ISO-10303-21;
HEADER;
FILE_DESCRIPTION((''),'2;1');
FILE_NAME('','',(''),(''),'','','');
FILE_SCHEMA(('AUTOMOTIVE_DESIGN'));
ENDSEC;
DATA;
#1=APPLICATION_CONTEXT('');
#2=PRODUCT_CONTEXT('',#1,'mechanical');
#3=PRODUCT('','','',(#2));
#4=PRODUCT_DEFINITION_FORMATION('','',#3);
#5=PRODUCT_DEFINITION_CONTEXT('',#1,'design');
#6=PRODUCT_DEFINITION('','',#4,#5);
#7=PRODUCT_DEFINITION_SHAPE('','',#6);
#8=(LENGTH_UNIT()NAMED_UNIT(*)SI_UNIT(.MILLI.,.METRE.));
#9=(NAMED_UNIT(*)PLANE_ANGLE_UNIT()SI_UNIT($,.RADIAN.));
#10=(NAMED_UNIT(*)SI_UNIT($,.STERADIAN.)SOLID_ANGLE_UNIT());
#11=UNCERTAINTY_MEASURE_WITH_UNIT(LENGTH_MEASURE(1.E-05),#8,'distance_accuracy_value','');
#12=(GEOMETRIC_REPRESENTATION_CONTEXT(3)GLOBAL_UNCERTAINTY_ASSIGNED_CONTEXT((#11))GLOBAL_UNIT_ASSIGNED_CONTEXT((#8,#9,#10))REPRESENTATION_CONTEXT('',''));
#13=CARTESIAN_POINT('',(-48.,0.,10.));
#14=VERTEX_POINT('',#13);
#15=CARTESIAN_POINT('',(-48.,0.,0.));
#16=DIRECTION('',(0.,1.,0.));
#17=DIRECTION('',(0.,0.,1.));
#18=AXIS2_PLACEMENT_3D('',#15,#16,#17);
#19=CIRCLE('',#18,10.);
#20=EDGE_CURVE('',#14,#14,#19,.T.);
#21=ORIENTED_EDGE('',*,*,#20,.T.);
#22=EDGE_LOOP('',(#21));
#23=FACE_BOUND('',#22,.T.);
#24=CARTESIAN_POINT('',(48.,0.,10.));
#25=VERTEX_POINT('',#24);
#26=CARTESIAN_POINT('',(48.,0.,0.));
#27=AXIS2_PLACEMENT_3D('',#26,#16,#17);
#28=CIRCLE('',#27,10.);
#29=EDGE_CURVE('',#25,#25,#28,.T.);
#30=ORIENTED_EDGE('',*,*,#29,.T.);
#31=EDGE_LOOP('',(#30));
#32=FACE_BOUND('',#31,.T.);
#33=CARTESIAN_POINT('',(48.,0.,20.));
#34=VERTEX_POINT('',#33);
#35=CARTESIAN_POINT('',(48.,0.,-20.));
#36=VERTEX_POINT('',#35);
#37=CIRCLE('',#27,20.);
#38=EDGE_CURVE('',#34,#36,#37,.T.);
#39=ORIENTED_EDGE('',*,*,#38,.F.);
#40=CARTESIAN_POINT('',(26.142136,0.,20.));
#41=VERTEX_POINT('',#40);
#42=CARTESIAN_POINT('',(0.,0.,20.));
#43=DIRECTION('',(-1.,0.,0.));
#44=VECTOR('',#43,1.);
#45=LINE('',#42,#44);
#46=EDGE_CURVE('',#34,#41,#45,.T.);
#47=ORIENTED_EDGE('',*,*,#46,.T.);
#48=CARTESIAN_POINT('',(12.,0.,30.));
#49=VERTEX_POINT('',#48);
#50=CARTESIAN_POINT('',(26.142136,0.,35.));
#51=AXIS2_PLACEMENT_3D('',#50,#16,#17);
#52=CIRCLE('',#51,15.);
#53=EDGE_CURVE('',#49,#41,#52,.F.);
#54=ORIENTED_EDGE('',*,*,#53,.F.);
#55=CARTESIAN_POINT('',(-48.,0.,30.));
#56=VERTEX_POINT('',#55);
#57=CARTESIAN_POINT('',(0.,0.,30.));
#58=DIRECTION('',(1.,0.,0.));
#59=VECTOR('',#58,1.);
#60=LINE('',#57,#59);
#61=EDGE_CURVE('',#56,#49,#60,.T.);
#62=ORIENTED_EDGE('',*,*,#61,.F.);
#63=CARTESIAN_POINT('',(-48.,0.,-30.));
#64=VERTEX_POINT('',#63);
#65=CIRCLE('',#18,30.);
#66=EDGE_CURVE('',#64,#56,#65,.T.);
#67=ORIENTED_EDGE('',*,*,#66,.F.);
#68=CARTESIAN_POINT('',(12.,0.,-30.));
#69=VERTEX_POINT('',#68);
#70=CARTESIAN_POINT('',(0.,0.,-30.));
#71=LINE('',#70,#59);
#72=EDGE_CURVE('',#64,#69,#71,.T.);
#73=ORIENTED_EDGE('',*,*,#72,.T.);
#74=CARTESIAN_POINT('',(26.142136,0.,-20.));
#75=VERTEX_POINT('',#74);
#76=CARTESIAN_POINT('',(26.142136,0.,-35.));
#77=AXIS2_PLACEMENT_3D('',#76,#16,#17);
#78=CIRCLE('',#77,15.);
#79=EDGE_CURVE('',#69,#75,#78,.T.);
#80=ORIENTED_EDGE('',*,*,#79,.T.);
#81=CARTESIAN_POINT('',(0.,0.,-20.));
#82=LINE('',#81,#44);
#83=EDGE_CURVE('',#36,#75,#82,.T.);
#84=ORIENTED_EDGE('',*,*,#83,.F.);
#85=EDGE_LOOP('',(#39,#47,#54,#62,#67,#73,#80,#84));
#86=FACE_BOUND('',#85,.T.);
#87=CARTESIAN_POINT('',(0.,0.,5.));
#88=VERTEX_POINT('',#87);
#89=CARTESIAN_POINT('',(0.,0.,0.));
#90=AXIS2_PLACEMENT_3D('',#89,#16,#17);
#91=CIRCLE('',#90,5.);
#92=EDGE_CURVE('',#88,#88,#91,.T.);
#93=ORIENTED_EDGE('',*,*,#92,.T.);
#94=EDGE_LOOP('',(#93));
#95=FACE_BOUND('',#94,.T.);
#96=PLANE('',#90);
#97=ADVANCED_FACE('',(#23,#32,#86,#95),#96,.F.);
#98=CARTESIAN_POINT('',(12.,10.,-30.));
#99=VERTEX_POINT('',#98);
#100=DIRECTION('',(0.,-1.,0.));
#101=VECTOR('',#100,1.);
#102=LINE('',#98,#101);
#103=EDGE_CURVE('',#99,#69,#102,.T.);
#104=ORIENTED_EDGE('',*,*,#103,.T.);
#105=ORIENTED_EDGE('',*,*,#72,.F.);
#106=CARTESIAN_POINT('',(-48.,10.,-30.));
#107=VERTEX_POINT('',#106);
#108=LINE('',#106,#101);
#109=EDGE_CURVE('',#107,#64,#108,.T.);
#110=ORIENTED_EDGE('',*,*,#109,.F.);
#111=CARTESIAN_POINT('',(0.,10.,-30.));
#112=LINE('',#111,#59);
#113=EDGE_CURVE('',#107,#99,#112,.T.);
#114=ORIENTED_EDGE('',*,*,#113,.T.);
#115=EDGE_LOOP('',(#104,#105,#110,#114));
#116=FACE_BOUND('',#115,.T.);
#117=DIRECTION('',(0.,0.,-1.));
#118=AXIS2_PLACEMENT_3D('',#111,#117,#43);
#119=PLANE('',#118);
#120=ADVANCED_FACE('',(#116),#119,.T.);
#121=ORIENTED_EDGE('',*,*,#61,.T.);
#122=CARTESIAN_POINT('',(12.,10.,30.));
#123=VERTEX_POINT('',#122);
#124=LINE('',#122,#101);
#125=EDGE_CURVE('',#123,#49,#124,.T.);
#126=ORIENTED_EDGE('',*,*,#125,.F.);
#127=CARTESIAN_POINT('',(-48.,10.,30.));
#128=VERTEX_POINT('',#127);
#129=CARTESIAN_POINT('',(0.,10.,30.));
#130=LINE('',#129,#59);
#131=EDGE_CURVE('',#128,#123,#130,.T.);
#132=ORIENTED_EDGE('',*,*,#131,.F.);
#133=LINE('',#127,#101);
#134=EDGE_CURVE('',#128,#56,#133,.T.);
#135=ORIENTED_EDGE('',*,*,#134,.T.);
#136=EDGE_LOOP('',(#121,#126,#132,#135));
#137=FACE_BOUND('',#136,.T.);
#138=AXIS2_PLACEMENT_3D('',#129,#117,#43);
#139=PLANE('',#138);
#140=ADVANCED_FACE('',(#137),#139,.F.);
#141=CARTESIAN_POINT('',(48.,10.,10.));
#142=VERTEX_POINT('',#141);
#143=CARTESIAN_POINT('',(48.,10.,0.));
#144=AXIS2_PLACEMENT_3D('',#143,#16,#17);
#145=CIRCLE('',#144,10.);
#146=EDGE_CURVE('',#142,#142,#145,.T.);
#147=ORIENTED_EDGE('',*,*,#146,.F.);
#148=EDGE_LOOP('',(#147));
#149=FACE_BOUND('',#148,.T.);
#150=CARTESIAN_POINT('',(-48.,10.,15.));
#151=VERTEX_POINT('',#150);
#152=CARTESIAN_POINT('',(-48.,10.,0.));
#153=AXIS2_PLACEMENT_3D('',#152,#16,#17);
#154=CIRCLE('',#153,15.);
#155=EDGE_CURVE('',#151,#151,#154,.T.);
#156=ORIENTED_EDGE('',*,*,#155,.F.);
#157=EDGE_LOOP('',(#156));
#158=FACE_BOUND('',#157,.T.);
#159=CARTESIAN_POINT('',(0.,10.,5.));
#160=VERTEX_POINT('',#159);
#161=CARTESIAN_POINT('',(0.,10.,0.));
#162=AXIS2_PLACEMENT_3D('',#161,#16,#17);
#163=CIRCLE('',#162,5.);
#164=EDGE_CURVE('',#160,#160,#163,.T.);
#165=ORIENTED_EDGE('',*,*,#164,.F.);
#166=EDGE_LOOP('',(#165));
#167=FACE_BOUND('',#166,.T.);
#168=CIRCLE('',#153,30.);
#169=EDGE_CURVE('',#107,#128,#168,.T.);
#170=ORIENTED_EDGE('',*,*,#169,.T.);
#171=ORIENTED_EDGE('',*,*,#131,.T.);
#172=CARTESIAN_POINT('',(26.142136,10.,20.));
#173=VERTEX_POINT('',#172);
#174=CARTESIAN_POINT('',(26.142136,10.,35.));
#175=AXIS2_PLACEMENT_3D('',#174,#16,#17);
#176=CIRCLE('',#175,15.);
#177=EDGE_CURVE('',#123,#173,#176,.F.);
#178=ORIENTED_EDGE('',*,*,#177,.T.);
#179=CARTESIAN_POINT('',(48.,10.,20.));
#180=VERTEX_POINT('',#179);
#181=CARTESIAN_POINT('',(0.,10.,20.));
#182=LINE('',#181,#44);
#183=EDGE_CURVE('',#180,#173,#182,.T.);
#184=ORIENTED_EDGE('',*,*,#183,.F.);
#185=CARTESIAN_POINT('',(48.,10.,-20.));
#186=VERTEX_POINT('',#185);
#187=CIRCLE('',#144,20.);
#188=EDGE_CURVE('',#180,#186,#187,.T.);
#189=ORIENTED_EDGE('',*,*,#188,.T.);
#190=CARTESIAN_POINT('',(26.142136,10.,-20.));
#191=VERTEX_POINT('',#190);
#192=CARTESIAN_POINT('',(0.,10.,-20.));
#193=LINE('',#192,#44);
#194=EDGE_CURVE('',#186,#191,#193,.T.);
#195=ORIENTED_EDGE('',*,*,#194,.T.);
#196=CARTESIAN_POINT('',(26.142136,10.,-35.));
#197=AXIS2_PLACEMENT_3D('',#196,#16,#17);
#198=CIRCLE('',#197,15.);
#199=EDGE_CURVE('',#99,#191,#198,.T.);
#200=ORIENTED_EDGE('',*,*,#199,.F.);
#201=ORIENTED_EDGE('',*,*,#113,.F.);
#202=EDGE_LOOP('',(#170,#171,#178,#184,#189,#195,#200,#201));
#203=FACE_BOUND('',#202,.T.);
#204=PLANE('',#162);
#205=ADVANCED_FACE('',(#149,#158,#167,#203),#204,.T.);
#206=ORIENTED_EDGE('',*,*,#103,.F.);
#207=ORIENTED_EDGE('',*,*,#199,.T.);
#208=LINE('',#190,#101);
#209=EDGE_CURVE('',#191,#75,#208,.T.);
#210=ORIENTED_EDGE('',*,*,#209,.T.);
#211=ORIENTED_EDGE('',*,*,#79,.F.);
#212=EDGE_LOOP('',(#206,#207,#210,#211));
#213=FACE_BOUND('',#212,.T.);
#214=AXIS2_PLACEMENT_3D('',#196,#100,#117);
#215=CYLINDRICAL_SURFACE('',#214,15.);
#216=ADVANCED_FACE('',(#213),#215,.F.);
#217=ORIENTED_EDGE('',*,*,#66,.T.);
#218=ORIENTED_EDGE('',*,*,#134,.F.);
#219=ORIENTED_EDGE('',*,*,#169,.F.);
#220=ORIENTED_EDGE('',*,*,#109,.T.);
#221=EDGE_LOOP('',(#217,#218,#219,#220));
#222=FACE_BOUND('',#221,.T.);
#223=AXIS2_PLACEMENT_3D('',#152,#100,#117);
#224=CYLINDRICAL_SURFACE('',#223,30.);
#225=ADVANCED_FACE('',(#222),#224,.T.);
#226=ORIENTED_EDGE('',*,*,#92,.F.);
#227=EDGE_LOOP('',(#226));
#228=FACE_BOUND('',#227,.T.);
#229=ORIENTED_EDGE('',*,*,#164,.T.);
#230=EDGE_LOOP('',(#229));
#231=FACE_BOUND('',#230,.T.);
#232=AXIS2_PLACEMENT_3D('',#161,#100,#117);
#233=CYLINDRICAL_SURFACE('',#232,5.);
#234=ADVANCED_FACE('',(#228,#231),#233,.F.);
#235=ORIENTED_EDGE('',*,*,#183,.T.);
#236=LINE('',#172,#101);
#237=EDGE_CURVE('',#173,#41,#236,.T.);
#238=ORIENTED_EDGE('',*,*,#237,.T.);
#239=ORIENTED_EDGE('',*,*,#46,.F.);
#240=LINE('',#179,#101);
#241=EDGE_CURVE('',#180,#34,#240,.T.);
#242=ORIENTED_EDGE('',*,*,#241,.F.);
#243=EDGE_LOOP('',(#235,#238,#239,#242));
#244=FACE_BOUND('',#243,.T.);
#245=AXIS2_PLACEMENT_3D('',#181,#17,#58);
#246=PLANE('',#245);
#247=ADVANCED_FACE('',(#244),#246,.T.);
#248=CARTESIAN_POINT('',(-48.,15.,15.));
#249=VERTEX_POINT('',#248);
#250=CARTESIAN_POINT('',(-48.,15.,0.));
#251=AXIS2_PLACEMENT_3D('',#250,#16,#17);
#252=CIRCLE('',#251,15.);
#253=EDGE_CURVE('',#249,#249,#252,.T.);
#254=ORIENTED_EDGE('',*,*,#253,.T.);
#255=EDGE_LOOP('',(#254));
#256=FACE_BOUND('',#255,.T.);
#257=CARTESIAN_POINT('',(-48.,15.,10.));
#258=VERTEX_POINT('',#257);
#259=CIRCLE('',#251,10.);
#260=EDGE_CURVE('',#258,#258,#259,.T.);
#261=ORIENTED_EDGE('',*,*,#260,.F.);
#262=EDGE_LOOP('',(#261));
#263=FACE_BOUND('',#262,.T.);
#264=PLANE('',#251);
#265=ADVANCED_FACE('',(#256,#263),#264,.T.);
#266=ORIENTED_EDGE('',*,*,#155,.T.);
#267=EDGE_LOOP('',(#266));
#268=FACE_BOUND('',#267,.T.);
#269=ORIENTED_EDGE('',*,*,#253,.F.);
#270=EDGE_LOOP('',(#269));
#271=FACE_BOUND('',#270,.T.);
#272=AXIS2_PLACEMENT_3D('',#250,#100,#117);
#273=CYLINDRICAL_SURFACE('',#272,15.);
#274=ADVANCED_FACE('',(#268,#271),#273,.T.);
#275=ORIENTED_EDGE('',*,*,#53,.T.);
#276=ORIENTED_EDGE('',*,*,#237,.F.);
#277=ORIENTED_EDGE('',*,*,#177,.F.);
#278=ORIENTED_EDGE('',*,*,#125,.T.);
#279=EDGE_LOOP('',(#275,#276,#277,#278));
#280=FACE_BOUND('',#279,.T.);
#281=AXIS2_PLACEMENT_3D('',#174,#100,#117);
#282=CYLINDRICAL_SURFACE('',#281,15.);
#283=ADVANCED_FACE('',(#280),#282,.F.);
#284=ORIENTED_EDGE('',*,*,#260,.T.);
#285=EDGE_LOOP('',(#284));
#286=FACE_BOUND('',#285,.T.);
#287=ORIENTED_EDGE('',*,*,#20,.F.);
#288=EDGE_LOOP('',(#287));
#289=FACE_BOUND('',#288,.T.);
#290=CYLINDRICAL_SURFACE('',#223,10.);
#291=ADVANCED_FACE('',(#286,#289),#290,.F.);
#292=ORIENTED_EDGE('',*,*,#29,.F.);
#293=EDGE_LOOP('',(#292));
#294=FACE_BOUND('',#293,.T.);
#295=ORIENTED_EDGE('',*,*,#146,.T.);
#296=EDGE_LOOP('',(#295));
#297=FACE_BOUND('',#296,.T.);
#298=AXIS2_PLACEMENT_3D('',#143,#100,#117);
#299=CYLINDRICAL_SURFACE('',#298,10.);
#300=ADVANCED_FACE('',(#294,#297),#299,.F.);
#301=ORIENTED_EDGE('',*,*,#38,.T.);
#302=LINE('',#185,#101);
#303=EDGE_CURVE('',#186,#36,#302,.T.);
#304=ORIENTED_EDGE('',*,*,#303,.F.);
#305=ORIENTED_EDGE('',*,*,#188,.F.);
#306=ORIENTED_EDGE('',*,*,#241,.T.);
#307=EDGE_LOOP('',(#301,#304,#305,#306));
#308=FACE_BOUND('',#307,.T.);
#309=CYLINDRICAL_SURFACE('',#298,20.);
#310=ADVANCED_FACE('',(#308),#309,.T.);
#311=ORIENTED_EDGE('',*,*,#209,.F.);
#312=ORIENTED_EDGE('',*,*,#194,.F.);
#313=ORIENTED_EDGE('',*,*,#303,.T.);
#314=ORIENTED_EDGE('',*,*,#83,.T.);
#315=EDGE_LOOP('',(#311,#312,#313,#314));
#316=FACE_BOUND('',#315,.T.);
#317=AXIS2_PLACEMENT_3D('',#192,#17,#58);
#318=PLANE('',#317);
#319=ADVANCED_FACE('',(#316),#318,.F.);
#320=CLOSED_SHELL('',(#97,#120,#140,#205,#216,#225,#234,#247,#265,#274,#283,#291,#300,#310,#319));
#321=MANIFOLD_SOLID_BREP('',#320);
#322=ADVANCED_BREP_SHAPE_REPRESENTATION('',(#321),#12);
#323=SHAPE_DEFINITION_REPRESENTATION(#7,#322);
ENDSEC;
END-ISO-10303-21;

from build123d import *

# Parameters (mm, degrees)
SKETCH1_R           = 5
SKETCH1_R_2         = 10
BOSS_EXTRUDE1_DEPTH = 10
SKETCH2_R           = 15
SKETCH2_R_2         = 10
BOSS_EXTRUDE2_DEPTH = 5


with BuildPart() as part:
    # Sketch1 → Boss-Extrude1 (new body)
    with BuildSketch(Plane(origin=(0, 0, 0), x_dir=(1, 0, 0), z_dir=(0, 1, 0))):
        with BuildLine():
            Line((12, 30), (-48, 30))
            ThreePointArc((-48, 30), (-78, 0), (-48, -30))
            Line((-48, -30), (12, -30))
            ThreePointArc((12, -30), (17.481881586, -22.752551286), (26.142135624, -20))
            Line((26.142135624, -20), (48, -20))
            ThreePointArc((48, -20), (68, 0), (48, 20))
            Line((48, 20), (26.142135624, 20))
            ThreePointArc((26.142135624, 20), (17.481881586, 22.752551286), (12, 30))
        make_face()
        with Locations(Location((0, 0, 0), (0, 0, 270))):  # turned: the seam where the file's is
            Circle(SKETCH1_R, mode=Mode.SUBTRACT)
        with Locations(Location((-48, 0, 0), (0, 0, 270))):  # turned: the seam where the file's is
            Circle(SKETCH1_R_2, mode=Mode.SUBTRACT)
        with Locations(Location((48, 0, 0), (0, 0, 270))):  # turned: the seam where the file's is
            Circle(SKETCH1_R_2, mode=Mode.SUBTRACT)
    extrude(amount=BOSS_EXTRUDE1_DEPTH)

    # Sketch2 → Boss-Extrude2 (add)
    with BuildSketch(Plane(origin=(0, 10, 0), x_dir=(1, 0, 0), z_dir=(0, 1, 0))):
        with Locations(Location((-48, 0, 0), (0, 0, 270))):  # turned: the seam where the file's is
            Circle(SKETCH2_R)
        with Locations(Location((-48, 0, 0), (0, 0, 270))):  # turned: the seam where the file's is
            Circle(SKETCH2_R_2, mode=Mode.SUBTRACT)
    extrude(amount=BOSS_EXTRUDE2_DEPTH)


solid = part.part
